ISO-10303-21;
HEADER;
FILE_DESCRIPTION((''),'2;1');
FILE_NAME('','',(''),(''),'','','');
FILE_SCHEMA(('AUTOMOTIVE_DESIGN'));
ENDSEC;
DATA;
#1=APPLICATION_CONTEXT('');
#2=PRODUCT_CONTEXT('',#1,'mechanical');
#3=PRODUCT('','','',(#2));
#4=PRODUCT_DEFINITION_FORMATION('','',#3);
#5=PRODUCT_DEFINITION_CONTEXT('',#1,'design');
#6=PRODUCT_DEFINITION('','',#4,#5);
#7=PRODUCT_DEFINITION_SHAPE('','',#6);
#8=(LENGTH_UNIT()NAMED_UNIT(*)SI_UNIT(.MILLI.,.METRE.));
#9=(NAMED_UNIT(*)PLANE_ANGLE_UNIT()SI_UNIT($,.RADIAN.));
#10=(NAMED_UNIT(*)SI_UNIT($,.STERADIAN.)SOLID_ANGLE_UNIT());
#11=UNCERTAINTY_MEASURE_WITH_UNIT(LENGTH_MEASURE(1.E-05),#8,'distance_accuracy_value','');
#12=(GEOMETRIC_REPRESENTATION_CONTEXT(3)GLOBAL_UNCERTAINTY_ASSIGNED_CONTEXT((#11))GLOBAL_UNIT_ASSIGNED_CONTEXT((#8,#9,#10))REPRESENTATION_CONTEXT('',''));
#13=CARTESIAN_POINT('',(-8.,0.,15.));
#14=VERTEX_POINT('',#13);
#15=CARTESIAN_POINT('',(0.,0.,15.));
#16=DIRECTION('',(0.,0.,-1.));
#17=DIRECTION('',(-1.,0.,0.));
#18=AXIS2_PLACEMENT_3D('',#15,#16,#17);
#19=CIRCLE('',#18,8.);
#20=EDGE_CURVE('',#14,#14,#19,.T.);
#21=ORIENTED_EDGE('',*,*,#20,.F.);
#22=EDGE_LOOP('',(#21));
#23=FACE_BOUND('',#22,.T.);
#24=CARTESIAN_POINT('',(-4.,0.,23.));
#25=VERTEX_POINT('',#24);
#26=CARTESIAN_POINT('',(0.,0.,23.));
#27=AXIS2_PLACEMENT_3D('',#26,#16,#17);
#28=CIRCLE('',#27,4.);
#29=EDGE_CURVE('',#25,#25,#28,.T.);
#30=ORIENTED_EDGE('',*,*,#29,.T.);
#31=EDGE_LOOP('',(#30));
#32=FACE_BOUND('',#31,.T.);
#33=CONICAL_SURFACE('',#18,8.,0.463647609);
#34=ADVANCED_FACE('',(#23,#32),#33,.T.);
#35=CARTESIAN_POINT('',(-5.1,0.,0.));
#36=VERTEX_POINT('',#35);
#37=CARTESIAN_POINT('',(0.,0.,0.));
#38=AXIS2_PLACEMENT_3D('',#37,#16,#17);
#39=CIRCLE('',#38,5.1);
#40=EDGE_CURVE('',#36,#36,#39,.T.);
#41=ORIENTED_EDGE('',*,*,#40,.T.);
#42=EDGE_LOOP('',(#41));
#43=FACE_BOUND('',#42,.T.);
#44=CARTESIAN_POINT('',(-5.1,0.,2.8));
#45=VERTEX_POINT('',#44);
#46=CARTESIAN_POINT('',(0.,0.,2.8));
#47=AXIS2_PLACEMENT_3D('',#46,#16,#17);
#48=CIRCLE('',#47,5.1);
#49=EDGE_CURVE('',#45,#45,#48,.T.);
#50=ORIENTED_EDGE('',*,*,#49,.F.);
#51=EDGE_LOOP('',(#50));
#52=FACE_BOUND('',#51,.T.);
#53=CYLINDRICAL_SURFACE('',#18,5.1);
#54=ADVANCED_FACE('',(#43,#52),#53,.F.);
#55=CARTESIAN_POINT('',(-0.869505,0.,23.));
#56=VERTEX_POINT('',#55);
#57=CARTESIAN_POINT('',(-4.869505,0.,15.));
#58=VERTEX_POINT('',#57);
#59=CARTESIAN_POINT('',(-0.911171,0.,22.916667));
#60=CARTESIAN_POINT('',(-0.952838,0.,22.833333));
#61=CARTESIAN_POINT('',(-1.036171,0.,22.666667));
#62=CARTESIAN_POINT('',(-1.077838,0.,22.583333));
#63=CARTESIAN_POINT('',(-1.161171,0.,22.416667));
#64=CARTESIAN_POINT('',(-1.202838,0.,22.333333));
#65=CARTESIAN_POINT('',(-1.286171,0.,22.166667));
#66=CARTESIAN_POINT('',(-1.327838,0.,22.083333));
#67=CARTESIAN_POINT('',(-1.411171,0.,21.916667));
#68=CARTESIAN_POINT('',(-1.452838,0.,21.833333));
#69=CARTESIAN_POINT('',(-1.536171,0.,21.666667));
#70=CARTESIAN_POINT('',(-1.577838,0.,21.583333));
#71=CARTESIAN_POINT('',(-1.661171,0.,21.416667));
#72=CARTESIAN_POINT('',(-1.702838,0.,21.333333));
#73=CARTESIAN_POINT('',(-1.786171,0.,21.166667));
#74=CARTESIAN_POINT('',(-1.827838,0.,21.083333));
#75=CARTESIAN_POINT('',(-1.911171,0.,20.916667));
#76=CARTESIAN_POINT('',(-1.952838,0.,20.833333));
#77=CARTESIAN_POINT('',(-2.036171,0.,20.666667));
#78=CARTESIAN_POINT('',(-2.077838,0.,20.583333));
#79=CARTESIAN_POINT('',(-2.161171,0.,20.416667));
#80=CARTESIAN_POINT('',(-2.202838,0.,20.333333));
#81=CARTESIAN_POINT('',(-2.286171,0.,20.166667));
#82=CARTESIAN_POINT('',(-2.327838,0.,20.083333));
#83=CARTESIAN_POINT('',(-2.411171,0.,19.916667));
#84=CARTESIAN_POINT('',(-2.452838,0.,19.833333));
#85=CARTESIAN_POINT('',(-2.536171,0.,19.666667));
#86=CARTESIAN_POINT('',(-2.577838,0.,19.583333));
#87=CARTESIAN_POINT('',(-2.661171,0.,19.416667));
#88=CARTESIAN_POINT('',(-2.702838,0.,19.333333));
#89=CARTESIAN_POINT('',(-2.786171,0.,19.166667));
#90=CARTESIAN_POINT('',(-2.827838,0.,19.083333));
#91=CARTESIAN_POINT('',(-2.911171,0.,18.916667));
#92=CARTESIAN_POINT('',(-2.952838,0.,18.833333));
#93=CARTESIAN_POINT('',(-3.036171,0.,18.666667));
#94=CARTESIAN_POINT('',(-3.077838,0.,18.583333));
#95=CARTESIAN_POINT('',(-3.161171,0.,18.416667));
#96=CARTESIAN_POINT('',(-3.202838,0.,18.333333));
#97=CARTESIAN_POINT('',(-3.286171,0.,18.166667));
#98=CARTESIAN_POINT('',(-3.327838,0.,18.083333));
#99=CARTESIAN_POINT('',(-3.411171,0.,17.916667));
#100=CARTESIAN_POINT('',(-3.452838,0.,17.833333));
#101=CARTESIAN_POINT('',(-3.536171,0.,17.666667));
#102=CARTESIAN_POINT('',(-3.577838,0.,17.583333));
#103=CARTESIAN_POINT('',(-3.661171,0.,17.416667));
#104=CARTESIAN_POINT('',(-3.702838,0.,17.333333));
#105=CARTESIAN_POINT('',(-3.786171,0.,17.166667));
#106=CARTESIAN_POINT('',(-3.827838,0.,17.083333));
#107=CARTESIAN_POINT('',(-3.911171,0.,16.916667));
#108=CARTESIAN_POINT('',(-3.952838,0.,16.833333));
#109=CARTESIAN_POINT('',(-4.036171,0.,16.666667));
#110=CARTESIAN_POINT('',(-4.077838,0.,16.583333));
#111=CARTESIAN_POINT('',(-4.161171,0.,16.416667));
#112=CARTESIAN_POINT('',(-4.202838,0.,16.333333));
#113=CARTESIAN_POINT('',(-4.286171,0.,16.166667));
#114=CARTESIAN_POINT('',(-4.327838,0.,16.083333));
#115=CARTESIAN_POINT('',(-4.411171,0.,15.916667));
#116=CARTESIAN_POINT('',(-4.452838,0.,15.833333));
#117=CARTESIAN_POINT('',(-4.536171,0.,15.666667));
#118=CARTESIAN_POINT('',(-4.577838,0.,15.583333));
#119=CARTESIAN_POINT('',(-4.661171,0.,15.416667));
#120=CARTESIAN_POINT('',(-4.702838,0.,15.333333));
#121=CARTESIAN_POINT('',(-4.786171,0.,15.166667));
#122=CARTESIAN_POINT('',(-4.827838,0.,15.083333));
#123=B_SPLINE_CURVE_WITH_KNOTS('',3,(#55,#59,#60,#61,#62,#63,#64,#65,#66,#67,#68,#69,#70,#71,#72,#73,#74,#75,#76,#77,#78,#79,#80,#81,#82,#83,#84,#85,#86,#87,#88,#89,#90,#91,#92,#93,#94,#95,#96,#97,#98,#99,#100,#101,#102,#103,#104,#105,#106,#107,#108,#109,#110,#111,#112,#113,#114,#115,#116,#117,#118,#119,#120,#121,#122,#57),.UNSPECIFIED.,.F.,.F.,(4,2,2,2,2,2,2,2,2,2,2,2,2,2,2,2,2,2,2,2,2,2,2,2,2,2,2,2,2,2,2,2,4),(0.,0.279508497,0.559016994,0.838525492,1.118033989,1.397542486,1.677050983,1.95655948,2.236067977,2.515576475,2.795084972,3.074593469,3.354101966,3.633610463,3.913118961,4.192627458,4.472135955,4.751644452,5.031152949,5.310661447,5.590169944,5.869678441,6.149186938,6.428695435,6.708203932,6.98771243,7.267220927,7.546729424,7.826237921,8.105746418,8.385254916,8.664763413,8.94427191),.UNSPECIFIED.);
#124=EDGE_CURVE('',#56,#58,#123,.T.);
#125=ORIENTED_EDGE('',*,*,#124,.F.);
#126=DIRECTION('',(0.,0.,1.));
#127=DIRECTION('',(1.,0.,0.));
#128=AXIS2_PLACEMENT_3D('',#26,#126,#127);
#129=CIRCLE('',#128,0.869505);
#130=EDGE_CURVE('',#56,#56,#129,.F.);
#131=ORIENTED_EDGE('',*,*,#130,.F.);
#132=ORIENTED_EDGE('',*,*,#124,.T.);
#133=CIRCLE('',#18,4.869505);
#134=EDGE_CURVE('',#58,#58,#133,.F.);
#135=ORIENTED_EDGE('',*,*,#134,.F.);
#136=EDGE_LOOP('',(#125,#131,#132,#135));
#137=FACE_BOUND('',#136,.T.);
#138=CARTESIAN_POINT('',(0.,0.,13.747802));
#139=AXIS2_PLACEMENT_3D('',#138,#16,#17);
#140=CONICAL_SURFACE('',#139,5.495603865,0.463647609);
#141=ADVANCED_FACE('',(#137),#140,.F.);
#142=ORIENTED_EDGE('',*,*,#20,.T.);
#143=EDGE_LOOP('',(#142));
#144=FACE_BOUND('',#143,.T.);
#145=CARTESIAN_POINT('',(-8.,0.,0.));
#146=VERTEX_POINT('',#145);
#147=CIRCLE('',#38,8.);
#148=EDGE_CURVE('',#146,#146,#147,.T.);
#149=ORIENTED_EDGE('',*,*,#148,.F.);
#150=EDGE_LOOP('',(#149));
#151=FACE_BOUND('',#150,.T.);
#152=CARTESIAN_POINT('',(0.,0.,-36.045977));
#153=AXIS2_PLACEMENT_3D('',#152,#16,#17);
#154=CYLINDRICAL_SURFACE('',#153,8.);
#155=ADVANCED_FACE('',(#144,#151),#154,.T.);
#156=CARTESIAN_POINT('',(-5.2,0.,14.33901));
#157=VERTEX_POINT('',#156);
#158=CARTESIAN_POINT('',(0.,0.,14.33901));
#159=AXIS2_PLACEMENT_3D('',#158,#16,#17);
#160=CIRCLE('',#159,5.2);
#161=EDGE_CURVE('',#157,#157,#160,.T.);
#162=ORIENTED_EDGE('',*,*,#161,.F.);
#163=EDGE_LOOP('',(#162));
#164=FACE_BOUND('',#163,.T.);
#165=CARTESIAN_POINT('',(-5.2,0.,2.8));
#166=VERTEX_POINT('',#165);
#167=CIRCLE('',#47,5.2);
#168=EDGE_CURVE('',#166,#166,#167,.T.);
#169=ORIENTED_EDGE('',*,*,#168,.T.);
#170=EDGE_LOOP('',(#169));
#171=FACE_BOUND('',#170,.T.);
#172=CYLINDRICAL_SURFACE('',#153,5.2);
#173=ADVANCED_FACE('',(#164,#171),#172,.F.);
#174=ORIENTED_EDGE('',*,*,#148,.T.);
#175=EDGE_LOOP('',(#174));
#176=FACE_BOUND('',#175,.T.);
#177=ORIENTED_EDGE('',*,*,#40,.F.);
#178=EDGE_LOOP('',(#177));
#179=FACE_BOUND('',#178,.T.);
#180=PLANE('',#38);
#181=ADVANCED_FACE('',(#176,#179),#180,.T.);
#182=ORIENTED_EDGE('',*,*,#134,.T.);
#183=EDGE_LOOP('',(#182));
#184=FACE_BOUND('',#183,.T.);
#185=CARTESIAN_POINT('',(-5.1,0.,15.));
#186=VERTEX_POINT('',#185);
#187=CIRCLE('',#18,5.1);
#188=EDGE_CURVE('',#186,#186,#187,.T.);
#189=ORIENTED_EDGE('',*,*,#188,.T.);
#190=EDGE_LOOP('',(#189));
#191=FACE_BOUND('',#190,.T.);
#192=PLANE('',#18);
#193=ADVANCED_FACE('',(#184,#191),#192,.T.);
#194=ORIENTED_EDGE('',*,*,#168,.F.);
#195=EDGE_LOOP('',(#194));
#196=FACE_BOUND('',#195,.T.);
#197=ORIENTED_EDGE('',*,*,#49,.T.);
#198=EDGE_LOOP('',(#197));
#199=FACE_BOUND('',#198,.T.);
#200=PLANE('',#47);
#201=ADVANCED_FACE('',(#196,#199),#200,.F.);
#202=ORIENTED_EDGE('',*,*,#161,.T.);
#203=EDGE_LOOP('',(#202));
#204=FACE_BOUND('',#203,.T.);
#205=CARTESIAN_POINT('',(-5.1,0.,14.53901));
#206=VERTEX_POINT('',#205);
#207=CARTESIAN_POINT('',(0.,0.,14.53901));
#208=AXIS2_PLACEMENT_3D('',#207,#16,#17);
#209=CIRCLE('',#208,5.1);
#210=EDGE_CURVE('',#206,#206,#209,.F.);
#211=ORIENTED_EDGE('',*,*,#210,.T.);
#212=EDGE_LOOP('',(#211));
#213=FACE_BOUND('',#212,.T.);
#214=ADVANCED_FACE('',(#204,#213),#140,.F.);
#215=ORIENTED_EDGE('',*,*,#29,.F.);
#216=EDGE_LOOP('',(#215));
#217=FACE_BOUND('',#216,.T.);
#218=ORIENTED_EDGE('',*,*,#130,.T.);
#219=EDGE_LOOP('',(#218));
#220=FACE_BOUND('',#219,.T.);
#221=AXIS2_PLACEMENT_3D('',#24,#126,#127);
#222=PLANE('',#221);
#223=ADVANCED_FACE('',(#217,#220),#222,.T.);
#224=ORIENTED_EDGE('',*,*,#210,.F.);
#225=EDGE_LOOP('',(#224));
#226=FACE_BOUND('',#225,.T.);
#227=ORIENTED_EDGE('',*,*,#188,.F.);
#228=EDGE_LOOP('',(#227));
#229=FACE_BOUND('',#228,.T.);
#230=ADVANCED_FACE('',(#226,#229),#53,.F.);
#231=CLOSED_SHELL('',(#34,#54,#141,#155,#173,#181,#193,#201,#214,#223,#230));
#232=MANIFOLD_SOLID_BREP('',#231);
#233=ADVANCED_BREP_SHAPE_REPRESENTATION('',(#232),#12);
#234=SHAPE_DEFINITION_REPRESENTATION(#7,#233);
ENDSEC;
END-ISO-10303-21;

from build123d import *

# Parameters (mm, degrees)
SHELL1_T           = -2.8
SKETCH6_R          = 5.1
CUT_EXTRUDE4_DEPTH = 15


with BuildPart() as part:
    # Sketch1 → Revolve1 (revolve)
    with BuildSketch(Plane(origin=(0, 0, 0), x_dir=(1, 0, 0), z_dir=(0, 1, 0))):
        Polygon((0, 0), (-8, 0), (-8, -15), (-4, -23), (0, -23), align=None)
    revolve(axis=Axis((0, 0, -36.045977011), (0, 0, 1)))

    # Shell1
    shell1_openings = [part.faces().sort_by_distance(p)[0] for p in [
        (0, 0, 23),
    ]]
    offset(amount=SHELL1_T, openings=shell1_openings, kind=Kind.INTERSECTION)

    # Sketch6 → Cut-Extrude4 (cut)
    with BuildSketch(Plane(origin=(0, 0, 0), x_dir=(-1, 0, 0), z_dir=(0, 0, -1))):
        Circle(SKETCH6_R)
    extrude(amount=-CUT_EXTRUDE4_DEPTH, mode=Mode.SUBTRACT)


solid = part.part
